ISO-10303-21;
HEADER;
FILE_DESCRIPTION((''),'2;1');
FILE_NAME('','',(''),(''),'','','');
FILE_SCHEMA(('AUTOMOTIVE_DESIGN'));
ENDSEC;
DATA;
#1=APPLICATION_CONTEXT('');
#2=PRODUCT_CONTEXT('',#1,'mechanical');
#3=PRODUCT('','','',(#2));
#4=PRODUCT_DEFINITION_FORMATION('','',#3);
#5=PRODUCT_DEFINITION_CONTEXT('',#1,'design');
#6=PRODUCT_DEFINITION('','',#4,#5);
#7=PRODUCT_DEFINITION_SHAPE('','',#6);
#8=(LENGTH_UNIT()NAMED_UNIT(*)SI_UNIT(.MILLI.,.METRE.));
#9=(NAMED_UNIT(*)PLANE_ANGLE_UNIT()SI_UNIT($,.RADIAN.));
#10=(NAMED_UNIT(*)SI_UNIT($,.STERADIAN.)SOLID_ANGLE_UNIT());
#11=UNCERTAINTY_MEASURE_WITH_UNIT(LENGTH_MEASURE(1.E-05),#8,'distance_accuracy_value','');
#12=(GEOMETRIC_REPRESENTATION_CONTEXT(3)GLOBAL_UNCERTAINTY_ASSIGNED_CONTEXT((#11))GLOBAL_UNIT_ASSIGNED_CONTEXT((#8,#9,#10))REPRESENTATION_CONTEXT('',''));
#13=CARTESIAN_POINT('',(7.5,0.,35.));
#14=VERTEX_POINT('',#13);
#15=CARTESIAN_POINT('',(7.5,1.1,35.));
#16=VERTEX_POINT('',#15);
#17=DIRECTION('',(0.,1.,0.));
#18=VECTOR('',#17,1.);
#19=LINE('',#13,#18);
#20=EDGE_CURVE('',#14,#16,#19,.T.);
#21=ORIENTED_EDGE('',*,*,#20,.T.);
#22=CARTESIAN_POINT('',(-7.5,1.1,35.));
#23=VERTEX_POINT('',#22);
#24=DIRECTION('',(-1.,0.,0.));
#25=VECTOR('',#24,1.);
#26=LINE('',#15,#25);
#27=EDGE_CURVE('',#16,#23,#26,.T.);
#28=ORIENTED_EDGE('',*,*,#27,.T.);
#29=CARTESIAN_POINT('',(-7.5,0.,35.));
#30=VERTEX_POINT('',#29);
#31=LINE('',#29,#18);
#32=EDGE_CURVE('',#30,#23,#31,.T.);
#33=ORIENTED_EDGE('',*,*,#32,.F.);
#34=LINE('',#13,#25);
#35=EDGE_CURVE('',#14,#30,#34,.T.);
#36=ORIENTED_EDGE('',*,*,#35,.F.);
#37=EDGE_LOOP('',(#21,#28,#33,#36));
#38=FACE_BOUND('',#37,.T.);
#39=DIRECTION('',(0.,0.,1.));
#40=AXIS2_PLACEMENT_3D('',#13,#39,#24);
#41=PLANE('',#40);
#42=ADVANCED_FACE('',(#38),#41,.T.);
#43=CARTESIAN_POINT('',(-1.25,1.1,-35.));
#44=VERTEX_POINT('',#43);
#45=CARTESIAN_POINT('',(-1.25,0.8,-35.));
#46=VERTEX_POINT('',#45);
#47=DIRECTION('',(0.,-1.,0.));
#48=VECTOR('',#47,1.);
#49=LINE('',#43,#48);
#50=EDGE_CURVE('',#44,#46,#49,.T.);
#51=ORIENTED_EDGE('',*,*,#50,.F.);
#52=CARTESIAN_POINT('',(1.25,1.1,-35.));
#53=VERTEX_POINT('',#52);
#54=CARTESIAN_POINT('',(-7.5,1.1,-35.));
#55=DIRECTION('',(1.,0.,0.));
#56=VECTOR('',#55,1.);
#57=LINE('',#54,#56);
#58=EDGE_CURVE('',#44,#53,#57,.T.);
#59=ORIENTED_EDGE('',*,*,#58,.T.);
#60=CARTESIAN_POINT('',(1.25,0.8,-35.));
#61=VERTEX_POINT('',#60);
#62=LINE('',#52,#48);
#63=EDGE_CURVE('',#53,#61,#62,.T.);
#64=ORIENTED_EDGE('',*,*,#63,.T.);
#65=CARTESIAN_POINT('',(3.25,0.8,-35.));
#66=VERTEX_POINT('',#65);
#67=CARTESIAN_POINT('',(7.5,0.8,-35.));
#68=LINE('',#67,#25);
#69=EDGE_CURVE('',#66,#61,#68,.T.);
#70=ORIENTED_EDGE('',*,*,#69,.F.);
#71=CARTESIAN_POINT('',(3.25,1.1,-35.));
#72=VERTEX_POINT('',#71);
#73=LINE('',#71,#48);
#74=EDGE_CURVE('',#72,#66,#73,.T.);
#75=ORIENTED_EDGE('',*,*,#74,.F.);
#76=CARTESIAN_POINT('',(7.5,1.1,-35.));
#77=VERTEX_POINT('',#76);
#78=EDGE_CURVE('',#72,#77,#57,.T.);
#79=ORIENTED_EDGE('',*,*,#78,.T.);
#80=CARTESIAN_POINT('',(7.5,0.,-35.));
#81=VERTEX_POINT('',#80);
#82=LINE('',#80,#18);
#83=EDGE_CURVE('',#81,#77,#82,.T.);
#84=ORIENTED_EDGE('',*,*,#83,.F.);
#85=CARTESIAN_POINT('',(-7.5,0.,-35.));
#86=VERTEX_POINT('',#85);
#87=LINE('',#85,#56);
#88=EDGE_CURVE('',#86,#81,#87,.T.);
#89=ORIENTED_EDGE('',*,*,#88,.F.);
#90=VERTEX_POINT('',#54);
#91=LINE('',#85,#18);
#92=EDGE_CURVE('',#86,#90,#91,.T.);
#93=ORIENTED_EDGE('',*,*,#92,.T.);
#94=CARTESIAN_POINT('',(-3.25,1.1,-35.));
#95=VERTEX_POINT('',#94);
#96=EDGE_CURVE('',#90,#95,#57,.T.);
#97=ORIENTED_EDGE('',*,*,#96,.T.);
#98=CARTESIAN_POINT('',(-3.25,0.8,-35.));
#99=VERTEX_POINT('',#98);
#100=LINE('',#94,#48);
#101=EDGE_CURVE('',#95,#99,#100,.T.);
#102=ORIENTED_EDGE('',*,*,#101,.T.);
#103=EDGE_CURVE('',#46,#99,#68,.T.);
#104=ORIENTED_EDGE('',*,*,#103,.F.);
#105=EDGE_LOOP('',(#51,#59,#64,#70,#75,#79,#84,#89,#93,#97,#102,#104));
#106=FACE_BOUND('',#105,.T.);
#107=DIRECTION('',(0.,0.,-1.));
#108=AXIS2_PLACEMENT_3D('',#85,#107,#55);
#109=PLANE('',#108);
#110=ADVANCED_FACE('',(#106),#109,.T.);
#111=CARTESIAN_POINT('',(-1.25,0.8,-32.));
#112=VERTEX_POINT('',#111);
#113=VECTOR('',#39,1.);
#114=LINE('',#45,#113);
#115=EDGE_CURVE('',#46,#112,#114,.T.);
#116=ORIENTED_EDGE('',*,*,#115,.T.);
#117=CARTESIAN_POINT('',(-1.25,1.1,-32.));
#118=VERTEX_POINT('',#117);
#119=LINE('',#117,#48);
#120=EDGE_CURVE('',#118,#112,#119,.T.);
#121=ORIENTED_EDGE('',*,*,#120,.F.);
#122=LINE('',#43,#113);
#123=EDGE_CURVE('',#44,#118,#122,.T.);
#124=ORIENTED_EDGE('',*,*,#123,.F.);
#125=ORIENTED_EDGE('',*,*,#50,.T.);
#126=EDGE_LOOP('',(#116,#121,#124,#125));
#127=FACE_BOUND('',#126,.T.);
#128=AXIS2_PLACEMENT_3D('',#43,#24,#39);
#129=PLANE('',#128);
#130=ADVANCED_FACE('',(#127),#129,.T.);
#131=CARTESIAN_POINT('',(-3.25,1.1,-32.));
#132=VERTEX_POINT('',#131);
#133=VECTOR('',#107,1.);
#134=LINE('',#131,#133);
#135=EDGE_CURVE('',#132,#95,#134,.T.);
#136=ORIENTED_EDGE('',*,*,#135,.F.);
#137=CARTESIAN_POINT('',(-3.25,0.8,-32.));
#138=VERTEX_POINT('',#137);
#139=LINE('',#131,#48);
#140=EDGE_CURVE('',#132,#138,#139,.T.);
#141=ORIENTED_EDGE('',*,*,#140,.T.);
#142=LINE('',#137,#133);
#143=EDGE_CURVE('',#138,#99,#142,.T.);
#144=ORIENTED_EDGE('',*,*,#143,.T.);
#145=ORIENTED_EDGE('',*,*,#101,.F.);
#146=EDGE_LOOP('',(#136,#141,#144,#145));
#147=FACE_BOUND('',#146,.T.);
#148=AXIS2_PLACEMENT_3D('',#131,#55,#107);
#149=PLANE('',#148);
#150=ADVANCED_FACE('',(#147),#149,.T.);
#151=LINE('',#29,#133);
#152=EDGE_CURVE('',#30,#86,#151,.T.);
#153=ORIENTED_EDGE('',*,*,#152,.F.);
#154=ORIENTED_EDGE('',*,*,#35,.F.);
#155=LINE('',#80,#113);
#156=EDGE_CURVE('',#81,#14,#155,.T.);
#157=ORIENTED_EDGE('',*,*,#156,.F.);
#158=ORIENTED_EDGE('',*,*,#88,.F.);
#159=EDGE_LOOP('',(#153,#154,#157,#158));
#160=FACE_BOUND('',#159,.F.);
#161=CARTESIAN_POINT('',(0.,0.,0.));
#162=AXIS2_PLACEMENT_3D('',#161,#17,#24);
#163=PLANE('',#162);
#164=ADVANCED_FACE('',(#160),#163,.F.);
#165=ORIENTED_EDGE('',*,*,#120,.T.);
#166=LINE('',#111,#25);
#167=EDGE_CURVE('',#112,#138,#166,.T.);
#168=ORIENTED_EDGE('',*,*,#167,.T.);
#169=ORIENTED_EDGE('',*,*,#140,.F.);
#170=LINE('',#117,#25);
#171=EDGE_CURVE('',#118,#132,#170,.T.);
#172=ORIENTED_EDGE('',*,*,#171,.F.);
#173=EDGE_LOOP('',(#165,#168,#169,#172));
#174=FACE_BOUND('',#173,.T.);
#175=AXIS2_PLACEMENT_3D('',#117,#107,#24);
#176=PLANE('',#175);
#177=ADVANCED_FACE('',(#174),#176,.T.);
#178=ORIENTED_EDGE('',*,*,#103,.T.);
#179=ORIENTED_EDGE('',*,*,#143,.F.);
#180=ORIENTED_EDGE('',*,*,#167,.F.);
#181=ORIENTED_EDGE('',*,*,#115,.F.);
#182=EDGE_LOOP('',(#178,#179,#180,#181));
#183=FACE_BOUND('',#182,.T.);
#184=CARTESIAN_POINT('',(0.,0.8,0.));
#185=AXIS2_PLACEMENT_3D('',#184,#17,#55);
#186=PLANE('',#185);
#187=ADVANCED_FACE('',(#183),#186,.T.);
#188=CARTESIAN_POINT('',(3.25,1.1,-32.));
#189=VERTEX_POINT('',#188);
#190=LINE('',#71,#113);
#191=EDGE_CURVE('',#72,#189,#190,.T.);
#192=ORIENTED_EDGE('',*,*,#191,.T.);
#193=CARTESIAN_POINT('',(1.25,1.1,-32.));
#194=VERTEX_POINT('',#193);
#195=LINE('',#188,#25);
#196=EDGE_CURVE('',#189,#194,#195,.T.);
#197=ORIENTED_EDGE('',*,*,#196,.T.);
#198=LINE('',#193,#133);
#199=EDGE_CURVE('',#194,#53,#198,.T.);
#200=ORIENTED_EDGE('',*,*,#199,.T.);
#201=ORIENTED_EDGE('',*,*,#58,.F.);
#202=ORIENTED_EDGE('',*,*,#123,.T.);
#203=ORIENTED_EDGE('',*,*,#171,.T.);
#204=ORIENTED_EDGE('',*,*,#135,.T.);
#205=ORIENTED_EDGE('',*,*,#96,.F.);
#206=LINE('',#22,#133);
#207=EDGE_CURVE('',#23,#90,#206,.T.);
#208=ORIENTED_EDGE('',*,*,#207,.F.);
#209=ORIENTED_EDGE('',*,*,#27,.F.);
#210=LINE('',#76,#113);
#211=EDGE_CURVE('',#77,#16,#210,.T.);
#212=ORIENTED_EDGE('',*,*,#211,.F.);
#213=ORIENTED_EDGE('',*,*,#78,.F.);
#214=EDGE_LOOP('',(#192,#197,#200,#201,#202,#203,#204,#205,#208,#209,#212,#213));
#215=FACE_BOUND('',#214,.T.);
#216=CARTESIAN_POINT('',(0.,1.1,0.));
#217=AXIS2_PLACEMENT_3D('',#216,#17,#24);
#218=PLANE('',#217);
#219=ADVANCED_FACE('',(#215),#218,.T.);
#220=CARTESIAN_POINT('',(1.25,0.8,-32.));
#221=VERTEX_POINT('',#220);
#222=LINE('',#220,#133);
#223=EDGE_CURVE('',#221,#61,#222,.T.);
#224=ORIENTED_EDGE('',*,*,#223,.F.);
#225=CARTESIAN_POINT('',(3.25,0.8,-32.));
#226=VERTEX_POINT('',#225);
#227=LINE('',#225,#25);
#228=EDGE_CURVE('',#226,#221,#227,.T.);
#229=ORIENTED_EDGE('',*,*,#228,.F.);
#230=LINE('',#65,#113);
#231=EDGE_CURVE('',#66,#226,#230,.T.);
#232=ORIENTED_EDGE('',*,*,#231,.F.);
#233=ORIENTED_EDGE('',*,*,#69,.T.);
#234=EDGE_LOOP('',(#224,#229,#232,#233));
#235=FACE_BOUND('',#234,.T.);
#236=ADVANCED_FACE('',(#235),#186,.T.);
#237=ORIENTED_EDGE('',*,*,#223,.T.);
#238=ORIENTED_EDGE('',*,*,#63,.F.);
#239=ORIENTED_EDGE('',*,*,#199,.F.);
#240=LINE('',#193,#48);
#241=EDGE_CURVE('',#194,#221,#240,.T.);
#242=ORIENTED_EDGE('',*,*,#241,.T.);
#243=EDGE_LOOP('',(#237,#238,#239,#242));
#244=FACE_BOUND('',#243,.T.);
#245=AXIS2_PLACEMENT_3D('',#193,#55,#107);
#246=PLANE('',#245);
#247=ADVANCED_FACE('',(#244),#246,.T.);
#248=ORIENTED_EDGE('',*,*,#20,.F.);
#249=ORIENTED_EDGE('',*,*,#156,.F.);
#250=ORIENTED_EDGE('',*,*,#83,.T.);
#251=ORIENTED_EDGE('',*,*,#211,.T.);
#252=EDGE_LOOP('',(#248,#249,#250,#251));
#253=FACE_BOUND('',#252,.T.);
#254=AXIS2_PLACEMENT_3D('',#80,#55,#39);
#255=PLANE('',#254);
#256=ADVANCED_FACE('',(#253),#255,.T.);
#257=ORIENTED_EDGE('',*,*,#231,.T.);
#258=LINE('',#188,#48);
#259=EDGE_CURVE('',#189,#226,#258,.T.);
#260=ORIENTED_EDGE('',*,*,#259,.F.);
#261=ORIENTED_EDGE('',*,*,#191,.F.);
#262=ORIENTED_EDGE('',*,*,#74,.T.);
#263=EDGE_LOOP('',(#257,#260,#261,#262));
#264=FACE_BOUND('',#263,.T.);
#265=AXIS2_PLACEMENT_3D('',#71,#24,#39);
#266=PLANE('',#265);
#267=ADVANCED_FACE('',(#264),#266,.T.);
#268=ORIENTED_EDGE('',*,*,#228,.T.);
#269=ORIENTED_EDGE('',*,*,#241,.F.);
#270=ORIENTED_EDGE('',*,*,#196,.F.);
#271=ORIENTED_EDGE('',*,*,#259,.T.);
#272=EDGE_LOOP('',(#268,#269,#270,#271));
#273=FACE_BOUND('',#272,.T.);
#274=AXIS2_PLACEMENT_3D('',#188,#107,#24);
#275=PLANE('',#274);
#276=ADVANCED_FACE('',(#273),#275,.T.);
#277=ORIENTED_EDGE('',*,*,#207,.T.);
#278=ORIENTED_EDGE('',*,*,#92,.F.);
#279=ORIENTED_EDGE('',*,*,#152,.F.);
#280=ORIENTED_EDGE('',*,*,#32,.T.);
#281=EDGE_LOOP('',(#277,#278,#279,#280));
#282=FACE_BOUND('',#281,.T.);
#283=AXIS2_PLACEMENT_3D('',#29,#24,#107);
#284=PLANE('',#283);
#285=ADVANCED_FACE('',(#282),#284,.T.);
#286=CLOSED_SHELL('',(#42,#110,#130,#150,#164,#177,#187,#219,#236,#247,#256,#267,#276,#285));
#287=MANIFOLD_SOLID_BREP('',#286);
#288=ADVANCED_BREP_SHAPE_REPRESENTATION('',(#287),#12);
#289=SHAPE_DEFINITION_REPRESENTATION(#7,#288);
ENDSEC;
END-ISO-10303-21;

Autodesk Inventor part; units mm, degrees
ref_plane "YZ Plane" through (0, 0, 0) normal (1, 0, 0) x (0, 1, 0)
ref_plane "XZ Plane" through (0, 0, 0) normal (0, 1, 0) x (-1, 0, 0)
ref_plane "XY Plane" through (0, 0, 0) normal (0, 0, 1) x (1, 0, 0)
sketch "Esquisse1" plane through (0, 0, 0) normal (0, 1, 0) x (-1, 0, 0)
  line L0 (-7.5, 35) -> (7.5, 35)
  line L1 (7.5, 35) -> (7.5, -35)
  line L2 (7.5, -35) -> (-7.5, -35)
  line L3 (-7.5, -35) -> (-7.5, 35)
  line L4 (-7.5, 35) -> (7.5, -35) construction
  line L5 (7.5, 35) -> (-7.5, -35) construction
  point P0 (0, 0)
  dimension "d0" = 15
  dimension "d1" = 70
extrude "Extrusion1" add sketch "Esquisse1" along normal blind 1.1
sketch "Esquisse2" plane through (0, 1.1, 0) normal (0, 1, 0) x (1, 0, 0)
  line L0 (7.5, 35) -> (-7.5, 35) projected
  line L1 (1.25, 35) -> (3.25, 35)
  line L2 (3.25, 35) -> (3.25, 32)
  line L3 (3.25, 32) -> (1.25, 32)
  line L4 (1.25, 32) -> (1.25, 35)
  line L5 (-3.25, 35) -> (-1.25, 35)
  line L6 (-1.25, 35) -> (-1.25, 32)
  line L7 (-1.25, 32) -> (-3.25, 32)
  line L8 (-3.25, 32) -> (-3.25, 35)
  line L9 (0, 35) -> (0, 28.8087) construction
  point P0 (0, 0)
  point P1 (-1.25, 33.5)
  dimension "d4" = 2
  dimension "d5" = 3
  dimension "d6" = 2
  dimension "d7" = 2.5
  dimension "d8" = 1.25
extrude "Extrusion2" cut sketch "Esquisse2" against normal blind 0.3
properties part number "Resistance_chauffante_ceramique"
